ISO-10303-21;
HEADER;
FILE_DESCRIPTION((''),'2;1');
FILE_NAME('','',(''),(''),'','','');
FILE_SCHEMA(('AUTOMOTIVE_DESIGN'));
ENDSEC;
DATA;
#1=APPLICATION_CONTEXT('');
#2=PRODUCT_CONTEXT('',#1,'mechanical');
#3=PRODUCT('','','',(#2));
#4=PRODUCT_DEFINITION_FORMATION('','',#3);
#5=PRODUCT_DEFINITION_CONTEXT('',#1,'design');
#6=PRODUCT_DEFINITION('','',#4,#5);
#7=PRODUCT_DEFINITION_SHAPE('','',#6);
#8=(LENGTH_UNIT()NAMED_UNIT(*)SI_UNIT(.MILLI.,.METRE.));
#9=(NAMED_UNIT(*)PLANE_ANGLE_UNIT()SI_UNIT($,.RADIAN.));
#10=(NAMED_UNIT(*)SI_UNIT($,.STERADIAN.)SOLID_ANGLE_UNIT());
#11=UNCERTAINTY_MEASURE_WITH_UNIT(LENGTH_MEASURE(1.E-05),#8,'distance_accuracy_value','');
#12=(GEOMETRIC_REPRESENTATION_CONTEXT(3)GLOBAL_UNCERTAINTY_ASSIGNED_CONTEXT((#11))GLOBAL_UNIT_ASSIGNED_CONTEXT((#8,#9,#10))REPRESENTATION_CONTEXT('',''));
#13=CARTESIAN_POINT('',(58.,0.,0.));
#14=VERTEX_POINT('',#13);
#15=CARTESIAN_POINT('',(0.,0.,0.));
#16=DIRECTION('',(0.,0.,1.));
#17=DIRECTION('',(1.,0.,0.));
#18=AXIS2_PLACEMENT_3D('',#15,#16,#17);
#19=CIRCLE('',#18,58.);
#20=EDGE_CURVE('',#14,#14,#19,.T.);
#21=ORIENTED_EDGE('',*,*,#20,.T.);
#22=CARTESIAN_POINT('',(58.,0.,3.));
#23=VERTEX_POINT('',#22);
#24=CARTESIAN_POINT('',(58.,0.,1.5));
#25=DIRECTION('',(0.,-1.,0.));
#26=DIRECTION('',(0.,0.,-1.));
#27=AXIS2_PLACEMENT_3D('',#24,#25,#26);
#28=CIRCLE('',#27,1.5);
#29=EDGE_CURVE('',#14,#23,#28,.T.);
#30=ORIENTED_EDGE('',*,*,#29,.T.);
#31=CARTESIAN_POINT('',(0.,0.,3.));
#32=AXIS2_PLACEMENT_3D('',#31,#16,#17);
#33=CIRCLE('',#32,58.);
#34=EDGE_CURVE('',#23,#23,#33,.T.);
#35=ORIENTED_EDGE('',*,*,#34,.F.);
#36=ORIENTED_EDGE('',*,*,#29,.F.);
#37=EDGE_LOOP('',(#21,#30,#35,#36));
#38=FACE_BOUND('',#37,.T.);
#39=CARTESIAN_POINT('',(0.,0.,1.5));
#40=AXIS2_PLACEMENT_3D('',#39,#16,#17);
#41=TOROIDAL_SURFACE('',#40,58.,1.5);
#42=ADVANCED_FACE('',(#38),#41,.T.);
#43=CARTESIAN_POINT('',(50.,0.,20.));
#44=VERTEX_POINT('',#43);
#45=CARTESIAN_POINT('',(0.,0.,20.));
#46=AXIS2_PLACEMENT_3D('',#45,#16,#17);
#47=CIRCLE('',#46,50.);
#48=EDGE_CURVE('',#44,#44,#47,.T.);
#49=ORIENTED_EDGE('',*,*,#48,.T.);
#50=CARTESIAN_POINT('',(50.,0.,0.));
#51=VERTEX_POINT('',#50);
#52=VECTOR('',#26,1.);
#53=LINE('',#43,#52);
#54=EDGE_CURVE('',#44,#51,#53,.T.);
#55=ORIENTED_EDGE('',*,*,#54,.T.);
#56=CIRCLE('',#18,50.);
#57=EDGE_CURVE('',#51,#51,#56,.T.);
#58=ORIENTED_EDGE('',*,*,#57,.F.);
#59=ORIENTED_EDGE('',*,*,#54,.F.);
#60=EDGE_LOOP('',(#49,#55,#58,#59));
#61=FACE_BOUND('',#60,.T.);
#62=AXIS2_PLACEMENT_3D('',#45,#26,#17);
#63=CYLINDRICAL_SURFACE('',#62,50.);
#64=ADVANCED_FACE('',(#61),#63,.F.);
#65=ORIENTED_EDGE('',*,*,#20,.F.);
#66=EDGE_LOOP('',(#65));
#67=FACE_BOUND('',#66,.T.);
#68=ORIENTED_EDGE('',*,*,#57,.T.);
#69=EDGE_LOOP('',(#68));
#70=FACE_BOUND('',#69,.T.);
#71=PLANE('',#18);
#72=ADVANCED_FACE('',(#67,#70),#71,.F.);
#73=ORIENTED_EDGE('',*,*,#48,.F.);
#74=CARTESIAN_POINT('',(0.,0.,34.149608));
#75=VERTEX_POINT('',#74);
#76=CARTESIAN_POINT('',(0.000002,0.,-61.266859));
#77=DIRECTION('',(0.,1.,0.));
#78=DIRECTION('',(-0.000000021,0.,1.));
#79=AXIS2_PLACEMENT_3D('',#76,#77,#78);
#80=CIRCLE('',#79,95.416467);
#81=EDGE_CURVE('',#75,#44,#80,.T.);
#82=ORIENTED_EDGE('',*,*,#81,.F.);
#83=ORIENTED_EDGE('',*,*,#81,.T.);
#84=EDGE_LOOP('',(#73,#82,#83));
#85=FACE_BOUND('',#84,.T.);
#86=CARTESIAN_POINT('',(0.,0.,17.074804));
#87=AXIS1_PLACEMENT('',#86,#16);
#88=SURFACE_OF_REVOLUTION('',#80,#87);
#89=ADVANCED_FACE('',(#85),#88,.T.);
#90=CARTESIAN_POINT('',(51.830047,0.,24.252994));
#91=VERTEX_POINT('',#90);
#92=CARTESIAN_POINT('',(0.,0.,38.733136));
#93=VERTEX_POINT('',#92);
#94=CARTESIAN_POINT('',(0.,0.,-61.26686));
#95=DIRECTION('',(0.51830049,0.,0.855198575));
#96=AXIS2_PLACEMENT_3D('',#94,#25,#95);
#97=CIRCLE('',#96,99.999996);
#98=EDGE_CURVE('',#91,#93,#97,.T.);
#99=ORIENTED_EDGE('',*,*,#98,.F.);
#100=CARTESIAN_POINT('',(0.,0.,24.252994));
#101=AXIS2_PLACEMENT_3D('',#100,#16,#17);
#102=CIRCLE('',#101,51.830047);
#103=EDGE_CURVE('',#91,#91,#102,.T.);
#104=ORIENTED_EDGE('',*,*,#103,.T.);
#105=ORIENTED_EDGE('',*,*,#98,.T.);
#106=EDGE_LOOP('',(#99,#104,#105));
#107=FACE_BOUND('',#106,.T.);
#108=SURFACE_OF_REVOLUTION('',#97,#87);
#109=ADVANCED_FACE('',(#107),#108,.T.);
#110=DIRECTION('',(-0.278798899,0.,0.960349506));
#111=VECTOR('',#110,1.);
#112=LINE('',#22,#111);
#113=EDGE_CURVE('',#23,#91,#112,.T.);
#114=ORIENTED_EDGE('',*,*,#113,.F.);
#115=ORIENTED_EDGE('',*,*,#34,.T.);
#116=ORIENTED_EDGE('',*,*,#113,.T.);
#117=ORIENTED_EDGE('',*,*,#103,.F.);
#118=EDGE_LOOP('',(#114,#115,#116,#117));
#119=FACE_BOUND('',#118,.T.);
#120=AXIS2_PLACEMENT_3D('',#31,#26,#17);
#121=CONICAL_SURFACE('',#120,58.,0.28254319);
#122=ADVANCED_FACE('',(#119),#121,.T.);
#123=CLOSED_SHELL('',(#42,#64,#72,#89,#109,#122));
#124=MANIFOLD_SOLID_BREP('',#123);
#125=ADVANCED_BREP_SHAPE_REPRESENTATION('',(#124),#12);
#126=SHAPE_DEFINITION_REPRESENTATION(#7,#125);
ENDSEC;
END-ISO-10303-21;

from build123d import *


with BuildPart() as f1:
    # F0 (on Front) → F1 (revolve)
    with BuildSketch(Plane.XZ):
        with BuildLine():
            Line((50, 20), (50, 0))
            Line((50, 0), (58, 0))
            ThreePointArc((58, 0), (59.5, 1.5), (58, 3))
            Line((58, 3), (51.830047, 24.252994))
            ThreePointArc((51.830047, 24.252994), (26.90738, 35.045092), (0, 38.733136))
            Line((0, 38.733136), (0, 34.149608))
            ThreePointArc((0, 34.149608), (25.981779, 30.544085), (50, 20))
        make_face()
    revolve(axis=Axis((0, 0, 17.074804), (0, 0, 1)))


solid = f1.part
